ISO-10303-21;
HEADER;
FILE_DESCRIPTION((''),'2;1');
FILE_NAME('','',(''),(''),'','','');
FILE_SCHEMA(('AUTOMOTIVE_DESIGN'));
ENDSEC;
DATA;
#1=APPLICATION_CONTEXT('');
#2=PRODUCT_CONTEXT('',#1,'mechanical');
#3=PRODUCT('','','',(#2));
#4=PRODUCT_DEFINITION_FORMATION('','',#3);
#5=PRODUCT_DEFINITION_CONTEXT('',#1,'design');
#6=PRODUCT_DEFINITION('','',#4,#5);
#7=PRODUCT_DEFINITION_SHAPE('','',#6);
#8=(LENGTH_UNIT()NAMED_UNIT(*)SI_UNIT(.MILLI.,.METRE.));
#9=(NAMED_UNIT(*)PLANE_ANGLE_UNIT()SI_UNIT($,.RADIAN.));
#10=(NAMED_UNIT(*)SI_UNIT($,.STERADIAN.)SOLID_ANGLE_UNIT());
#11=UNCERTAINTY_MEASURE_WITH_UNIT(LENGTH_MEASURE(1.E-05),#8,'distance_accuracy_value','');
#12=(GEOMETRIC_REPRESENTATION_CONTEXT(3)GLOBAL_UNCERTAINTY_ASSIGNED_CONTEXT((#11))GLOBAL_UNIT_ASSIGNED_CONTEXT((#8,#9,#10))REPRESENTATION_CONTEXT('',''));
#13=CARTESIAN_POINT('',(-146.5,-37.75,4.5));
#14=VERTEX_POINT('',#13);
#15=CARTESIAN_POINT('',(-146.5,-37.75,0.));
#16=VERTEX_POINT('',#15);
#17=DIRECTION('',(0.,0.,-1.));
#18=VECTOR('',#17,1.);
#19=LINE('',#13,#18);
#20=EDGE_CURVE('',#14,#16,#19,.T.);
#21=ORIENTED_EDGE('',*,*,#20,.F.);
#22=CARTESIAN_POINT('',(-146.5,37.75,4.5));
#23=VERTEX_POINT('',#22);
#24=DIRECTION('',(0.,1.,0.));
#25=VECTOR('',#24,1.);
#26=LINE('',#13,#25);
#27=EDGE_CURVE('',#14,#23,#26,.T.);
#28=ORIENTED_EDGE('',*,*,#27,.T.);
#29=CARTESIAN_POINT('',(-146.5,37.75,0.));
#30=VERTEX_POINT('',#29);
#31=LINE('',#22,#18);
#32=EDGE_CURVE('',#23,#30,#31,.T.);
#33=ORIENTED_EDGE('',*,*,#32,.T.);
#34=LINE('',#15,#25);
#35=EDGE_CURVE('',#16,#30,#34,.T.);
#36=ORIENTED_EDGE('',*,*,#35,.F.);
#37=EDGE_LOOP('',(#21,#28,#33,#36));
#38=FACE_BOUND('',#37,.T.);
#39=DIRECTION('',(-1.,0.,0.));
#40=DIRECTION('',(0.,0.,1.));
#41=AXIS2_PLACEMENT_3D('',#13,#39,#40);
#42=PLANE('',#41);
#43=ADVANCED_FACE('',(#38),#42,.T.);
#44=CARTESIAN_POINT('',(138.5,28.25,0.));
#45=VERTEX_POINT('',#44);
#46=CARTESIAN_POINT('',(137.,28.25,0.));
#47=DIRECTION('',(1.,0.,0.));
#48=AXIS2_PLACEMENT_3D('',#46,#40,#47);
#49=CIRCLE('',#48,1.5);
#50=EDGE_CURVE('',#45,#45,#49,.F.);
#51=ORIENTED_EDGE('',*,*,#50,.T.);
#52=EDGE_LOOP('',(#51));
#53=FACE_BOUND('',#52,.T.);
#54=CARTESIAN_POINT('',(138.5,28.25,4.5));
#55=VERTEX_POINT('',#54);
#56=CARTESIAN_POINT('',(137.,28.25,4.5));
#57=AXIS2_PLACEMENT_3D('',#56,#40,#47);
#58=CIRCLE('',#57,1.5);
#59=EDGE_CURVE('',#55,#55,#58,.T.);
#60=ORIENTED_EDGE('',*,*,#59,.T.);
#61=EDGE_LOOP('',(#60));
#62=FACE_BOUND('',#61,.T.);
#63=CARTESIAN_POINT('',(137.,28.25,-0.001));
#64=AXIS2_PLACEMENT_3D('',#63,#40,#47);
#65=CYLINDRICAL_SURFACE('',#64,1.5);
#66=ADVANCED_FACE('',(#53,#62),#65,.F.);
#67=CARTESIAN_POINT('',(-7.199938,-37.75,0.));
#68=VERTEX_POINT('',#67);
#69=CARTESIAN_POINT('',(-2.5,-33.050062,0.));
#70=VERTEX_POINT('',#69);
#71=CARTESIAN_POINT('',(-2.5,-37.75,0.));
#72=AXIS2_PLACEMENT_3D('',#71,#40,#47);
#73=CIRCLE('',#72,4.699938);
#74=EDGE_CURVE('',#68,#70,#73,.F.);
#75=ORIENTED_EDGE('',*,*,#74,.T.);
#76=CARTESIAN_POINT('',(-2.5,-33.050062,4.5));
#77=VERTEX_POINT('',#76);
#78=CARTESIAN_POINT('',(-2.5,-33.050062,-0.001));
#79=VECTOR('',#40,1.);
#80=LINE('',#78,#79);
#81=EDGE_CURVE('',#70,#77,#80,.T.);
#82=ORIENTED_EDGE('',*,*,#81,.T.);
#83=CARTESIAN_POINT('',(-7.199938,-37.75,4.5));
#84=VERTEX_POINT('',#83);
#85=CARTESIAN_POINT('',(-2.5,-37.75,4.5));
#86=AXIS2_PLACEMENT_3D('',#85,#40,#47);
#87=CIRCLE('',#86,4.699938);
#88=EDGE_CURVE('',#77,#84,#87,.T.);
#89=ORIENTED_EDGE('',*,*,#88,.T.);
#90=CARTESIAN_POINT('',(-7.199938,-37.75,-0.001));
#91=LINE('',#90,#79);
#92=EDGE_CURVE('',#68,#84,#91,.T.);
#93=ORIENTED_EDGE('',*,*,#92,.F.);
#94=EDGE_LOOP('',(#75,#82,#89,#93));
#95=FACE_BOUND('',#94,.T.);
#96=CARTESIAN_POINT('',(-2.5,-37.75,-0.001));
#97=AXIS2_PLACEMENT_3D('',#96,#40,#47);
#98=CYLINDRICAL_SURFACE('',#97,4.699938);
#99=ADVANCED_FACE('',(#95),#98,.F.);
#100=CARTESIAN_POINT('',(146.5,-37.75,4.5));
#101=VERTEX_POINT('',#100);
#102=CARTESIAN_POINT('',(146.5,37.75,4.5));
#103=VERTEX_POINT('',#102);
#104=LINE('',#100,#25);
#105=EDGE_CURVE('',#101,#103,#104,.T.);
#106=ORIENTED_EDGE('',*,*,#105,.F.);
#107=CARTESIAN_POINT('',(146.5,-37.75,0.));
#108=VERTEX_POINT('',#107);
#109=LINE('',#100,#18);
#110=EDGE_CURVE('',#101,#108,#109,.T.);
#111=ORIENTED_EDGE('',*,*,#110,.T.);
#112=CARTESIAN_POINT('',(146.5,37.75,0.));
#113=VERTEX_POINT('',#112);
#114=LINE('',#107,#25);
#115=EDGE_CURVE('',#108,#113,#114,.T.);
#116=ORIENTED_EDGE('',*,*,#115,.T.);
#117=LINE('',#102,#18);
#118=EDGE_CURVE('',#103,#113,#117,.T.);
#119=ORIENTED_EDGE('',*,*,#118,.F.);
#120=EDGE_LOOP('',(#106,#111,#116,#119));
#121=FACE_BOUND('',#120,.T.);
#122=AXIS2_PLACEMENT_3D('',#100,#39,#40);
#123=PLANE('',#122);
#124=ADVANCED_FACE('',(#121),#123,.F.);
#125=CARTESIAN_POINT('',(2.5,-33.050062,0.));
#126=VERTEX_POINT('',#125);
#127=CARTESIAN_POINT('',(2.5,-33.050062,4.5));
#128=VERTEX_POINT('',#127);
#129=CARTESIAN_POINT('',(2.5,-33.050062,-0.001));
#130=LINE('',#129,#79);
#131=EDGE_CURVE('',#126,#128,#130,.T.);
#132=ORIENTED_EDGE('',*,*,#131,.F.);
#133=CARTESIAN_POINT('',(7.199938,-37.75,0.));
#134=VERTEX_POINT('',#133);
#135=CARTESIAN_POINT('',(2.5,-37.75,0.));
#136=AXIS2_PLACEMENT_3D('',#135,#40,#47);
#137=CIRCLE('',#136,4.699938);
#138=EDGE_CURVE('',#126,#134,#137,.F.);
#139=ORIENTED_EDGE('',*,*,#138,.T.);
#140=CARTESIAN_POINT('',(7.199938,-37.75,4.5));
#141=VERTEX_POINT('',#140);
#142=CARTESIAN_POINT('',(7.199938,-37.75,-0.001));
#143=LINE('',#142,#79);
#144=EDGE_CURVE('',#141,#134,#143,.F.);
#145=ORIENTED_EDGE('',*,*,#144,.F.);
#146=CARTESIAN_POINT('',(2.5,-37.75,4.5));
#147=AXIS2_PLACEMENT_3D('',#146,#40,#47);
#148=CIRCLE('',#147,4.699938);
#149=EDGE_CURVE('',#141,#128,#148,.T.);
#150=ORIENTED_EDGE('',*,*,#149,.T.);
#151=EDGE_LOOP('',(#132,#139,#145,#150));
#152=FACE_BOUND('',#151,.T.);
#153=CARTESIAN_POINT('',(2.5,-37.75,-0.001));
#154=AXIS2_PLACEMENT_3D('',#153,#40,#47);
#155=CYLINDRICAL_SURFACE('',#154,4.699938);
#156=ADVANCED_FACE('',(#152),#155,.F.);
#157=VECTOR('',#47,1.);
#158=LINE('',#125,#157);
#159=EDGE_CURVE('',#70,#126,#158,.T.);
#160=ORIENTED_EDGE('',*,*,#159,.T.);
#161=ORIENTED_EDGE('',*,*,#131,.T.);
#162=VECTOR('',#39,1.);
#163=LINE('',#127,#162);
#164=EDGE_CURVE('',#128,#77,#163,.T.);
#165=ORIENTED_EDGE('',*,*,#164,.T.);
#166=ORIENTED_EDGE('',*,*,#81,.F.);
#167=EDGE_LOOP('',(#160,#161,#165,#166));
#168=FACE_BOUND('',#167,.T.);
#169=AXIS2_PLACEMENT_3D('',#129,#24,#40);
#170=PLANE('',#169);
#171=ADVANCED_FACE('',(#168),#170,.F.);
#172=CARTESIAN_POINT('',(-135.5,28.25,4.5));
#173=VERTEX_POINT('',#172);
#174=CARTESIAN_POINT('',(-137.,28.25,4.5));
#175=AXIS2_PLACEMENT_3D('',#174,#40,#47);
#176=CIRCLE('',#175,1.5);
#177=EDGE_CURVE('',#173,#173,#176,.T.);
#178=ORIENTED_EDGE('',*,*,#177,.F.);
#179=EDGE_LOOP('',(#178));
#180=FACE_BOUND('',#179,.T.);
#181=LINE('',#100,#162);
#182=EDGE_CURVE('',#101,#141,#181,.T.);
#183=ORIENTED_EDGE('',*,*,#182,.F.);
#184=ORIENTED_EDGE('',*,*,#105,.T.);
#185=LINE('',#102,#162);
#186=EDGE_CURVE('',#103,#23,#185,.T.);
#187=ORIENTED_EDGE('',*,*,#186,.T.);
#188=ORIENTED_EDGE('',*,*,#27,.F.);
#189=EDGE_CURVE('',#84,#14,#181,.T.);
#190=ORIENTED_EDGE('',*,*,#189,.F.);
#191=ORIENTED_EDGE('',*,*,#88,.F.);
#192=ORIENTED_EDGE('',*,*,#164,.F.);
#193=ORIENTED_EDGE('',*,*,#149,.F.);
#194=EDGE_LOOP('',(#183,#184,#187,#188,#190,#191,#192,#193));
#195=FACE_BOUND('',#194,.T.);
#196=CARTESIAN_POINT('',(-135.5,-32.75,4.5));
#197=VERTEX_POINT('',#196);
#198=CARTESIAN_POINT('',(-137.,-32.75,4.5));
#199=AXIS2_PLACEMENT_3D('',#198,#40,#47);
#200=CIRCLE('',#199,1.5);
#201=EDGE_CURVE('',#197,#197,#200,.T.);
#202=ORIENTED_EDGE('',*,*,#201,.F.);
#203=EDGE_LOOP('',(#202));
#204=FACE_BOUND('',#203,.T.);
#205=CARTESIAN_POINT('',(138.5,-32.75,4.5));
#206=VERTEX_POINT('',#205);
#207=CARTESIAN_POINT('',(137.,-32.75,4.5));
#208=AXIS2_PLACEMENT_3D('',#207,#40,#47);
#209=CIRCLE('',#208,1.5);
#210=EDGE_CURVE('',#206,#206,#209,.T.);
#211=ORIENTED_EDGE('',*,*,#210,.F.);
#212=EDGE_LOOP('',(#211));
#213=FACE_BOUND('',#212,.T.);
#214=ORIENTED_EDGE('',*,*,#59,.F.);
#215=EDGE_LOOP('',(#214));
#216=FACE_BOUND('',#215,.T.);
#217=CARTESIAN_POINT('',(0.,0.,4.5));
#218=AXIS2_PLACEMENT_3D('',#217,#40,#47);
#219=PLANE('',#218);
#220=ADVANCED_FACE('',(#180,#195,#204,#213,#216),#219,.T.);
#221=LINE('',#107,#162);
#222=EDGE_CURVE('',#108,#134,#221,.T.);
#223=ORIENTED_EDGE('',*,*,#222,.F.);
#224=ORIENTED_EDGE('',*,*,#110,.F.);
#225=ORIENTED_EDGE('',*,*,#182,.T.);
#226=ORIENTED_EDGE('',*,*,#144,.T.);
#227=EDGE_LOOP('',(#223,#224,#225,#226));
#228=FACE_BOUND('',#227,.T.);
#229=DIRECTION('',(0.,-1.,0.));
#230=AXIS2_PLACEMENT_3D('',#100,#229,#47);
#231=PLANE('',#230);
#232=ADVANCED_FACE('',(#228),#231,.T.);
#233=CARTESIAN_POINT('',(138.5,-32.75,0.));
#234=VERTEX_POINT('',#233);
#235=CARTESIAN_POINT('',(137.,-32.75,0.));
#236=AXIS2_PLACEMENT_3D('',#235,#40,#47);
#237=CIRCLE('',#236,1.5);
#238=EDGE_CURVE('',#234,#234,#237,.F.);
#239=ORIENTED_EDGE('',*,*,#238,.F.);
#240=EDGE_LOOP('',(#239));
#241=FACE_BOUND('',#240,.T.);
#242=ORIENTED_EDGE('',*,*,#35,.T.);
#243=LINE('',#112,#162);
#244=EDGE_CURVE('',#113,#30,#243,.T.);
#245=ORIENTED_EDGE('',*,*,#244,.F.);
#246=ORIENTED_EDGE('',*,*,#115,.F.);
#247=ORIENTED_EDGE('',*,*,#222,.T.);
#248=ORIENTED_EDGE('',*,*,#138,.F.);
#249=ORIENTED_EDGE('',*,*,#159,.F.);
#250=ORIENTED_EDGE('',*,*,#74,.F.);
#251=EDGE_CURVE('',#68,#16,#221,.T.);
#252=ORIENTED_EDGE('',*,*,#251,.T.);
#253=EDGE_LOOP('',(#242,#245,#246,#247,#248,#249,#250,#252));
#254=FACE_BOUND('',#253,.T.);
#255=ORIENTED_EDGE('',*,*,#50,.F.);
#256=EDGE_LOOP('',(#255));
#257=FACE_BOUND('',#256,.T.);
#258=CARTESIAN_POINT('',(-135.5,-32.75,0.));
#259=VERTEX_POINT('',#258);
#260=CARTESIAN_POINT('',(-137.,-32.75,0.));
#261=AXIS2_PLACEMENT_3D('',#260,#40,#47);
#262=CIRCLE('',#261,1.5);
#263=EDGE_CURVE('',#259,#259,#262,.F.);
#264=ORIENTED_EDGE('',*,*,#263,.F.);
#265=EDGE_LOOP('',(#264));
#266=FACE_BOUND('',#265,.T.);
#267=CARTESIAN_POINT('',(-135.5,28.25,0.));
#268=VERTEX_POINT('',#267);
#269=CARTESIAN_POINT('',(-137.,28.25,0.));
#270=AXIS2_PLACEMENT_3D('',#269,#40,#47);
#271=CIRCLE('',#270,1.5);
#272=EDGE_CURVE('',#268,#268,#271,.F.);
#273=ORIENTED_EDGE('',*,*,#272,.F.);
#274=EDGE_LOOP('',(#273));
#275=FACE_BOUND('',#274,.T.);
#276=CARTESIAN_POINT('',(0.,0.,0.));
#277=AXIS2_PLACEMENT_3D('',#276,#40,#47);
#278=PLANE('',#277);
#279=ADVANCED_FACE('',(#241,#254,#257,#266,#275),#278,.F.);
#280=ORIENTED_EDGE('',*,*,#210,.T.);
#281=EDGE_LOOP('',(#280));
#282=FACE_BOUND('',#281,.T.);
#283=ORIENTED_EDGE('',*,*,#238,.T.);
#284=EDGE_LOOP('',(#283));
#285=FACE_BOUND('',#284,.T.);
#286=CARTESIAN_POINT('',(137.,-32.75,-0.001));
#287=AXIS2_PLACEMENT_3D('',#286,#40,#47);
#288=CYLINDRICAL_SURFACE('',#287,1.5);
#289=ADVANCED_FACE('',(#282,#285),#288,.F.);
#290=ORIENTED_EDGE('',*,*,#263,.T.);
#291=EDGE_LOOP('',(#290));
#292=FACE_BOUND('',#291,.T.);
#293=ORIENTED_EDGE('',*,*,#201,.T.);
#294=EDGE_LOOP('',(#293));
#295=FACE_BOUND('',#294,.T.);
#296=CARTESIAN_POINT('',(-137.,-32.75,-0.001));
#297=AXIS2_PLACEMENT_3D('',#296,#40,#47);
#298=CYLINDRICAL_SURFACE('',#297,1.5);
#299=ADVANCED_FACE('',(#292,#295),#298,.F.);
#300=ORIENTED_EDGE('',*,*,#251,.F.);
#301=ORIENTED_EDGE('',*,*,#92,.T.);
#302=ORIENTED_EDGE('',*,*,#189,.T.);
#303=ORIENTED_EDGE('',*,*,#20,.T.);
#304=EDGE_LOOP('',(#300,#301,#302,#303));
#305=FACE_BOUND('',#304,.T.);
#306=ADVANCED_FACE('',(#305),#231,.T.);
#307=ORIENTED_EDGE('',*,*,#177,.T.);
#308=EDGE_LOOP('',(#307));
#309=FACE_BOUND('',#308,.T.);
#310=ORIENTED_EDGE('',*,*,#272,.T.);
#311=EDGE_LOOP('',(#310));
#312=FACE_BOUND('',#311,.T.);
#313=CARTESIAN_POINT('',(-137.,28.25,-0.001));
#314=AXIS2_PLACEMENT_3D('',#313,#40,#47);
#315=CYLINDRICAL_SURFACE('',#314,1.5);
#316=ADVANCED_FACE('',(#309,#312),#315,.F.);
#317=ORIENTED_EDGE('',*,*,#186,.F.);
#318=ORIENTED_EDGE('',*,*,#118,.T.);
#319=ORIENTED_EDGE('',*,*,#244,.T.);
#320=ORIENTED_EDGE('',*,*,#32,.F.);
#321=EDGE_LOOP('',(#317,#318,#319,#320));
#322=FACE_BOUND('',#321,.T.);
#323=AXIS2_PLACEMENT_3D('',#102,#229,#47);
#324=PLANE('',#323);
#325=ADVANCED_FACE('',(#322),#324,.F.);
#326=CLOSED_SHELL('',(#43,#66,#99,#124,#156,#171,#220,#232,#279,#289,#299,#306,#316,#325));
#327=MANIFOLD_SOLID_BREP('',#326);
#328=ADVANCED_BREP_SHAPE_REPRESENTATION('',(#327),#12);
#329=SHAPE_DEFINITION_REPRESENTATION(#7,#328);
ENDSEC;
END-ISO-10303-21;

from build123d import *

# Parameters (mm, degrees)
SKETCH1_W           = 293
SKETCH1_H           = 75.5
BOSS_EXTRUDE1_DEPTH = 4.5
CUT_EXTRUDE1_REACH  = 153.352
SKETCH2_R           = 1.5


with BuildPart() as part:
    # Sketch1 → Boss-Extrude1 (new body)
    with BuildSketch(Plane.XY):
        Rectangle(SKETCH1_W, SKETCH1_H)
    extrude(amount=BOSS_EXTRUDE1_DEPTH)

    # Sketch2 → Cut-Extrude1 (cut, up to next)
    with BuildSketch(Plane.XY.offset(4.5), mode=Mode.PRIVATE) as cut_extrude1_sk1:
        with Locations((137, 28.25)):
            Circle(SKETCH2_R)
    cut_extrude1_tool1 = extrude(cut_extrude1_sk1.sketch, amount=-CUT_EXTRUDE1_REACH, mode=Mode.PRIVATE) & part.part
    # Sketch2 → Cut-Extrude1 (cut, up to next)
    with BuildSketch(Plane.XY.offset(4.5), mode=Mode.PRIVATE) as cut_extrude1_sk2:
        with Locations((-137, 28.25)):
            Circle(SKETCH2_R)
    cut_extrude1_tool2 = extrude(cut_extrude1_sk2.sketch, amount=-CUT_EXTRUDE1_REACH, mode=Mode.PRIVATE) & part.part
    # Sketch2 → Cut-Extrude1 (cut, up to next)
    with BuildSketch(Plane.XY.offset(4.5), mode=Mode.PRIVATE) as cut_extrude1_sk3:
        with Locations((-137, -32.75)):
            Circle(SKETCH2_R)
    cut_extrude1_tool3 = extrude(cut_extrude1_sk3.sketch, amount=-CUT_EXTRUDE1_REACH, mode=Mode.PRIVATE) & part.part
    # Sketch2 → Cut-Extrude1 (cut, up to next)
    with BuildSketch(Plane.XY.offset(4.5), mode=Mode.PRIVATE) as cut_extrude1_sk4:
        with Locations((137, -32.75)):
            Circle(SKETCH2_R)
    cut_extrude1_tool4 = extrude(cut_extrude1_sk4.sketch, amount=-CUT_EXTRUDE1_REACH, mode=Mode.PRIVATE) & part.part
    # Sketch2 → Cut-Extrude1 (cut, up to next)
    with BuildSketch(Plane.XY.offset(4.5), mode=Mode.PRIVATE) as cut_extrude1_sk5:
        with BuildLine():
            Line((2.5, -42.449938401), (-2.5, -42.449938401))
            ThreePointArc((-2.5, -42.449938401), (-7.199938401, -37.75), (-2.5, -33.050061599))
            Line((-2.5, -33.050061599), (2.5, -33.050061599))
            ThreePointArc((2.5, -33.050061599), (7.199938401, -37.75), (2.5, -42.449938401))
        make_face()
    cut_extrude1_tool5 = extrude(cut_extrude1_sk5.sketch, amount=-CUT_EXTRUDE1_REACH, mode=Mode.PRIVATE) & part.part
    add(cut_extrude1_tool1.solids().sort_by_distance((137, 28.25, 4.5))[0], mode=Mode.SUBTRACT)
    add(cut_extrude1_tool2.solids().sort_by_distance((-137, 28.25, 4.5))[0], mode=Mode.SUBTRACT)
    add(cut_extrude1_tool3.solids().sort_by_distance((-137, -32.75, 4.5))[0], mode=Mode.SUBTRACT)
    add(cut_extrude1_tool4.solids().sort_by_distance((137, -32.75, 4.5))[0], mode=Mode.SUBTRACT)
    add(cut_extrude1_tool5.solids().sort_by_distance((0, -37.75, 4.5))[0], mode=Mode.SUBTRACT)


solid = part.part
